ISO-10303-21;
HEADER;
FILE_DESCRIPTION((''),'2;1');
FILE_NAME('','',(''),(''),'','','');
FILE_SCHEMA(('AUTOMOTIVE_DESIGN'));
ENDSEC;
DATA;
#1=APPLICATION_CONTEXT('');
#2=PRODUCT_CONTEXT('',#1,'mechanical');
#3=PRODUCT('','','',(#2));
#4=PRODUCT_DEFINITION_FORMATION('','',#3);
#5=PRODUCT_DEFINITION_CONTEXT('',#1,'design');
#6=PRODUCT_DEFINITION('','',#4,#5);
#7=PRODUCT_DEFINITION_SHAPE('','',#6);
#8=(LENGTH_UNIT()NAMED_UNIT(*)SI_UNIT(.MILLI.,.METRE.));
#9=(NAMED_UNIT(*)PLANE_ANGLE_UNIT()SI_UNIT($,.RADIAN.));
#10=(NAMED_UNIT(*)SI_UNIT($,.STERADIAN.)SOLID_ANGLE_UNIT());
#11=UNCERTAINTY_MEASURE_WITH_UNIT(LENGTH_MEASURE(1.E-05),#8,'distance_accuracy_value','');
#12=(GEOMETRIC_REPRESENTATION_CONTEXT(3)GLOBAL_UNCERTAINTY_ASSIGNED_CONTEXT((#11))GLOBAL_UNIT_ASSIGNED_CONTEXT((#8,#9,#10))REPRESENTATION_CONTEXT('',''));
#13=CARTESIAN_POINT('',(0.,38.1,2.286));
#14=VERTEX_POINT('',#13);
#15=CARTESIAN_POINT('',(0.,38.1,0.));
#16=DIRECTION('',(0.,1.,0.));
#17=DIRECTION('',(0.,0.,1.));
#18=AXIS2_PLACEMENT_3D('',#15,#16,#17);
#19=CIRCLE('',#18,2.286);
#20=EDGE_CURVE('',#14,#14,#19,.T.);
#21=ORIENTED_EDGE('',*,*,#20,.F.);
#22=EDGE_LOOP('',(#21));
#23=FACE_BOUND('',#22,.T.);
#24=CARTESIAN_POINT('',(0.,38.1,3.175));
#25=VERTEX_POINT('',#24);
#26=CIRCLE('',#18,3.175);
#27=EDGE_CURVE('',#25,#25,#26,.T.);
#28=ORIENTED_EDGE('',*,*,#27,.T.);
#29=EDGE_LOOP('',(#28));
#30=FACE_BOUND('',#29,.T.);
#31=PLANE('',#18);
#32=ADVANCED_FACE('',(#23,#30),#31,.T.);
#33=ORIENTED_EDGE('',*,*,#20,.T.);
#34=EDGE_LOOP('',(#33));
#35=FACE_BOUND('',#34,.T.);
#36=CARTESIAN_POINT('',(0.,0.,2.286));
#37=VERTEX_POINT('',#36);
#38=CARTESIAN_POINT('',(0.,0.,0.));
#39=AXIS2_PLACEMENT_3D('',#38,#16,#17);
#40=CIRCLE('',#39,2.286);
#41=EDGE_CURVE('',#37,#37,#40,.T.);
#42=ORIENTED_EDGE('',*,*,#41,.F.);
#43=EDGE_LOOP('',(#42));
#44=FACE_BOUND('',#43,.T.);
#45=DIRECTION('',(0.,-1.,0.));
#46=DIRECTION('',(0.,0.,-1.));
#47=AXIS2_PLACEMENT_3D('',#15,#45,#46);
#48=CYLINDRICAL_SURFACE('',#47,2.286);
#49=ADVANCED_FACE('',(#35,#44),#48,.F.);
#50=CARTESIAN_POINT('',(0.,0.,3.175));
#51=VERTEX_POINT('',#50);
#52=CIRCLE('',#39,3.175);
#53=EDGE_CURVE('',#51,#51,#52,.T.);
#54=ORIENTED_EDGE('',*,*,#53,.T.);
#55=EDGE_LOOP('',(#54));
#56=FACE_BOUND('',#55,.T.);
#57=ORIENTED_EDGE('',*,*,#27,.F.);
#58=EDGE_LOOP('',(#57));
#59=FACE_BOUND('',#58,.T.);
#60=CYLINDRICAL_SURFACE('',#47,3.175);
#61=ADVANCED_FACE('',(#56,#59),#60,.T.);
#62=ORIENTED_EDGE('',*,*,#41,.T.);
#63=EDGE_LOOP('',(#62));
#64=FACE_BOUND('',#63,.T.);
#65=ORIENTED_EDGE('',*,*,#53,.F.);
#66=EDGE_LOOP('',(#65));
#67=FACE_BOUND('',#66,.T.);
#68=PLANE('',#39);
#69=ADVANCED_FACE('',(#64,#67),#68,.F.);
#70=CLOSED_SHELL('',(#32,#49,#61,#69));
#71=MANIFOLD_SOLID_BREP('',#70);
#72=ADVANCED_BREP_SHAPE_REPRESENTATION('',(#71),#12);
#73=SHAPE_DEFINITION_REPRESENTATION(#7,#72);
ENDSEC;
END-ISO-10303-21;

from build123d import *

# Parameters (mm, degrees)
SKETCH1_R           = 3.175
SKETCH1_R_2         = 2.286
BOSS_EXTRUDE1_DEPTH = 38.1


with BuildPart() as part:
    # Sketch1 → Boss-Extrude1 (new body)
    with BuildSketch(Plane(origin=(0, 0, 0), x_dir=(1, 0, 0), z_dir=(0, 1, 0))):
        Circle(SKETCH1_R)
        Circle(SKETCH1_R_2, mode=Mode.SUBTRACT)
    extrude(amount=BOSS_EXTRUDE1_DEPTH)


solid = part.part
